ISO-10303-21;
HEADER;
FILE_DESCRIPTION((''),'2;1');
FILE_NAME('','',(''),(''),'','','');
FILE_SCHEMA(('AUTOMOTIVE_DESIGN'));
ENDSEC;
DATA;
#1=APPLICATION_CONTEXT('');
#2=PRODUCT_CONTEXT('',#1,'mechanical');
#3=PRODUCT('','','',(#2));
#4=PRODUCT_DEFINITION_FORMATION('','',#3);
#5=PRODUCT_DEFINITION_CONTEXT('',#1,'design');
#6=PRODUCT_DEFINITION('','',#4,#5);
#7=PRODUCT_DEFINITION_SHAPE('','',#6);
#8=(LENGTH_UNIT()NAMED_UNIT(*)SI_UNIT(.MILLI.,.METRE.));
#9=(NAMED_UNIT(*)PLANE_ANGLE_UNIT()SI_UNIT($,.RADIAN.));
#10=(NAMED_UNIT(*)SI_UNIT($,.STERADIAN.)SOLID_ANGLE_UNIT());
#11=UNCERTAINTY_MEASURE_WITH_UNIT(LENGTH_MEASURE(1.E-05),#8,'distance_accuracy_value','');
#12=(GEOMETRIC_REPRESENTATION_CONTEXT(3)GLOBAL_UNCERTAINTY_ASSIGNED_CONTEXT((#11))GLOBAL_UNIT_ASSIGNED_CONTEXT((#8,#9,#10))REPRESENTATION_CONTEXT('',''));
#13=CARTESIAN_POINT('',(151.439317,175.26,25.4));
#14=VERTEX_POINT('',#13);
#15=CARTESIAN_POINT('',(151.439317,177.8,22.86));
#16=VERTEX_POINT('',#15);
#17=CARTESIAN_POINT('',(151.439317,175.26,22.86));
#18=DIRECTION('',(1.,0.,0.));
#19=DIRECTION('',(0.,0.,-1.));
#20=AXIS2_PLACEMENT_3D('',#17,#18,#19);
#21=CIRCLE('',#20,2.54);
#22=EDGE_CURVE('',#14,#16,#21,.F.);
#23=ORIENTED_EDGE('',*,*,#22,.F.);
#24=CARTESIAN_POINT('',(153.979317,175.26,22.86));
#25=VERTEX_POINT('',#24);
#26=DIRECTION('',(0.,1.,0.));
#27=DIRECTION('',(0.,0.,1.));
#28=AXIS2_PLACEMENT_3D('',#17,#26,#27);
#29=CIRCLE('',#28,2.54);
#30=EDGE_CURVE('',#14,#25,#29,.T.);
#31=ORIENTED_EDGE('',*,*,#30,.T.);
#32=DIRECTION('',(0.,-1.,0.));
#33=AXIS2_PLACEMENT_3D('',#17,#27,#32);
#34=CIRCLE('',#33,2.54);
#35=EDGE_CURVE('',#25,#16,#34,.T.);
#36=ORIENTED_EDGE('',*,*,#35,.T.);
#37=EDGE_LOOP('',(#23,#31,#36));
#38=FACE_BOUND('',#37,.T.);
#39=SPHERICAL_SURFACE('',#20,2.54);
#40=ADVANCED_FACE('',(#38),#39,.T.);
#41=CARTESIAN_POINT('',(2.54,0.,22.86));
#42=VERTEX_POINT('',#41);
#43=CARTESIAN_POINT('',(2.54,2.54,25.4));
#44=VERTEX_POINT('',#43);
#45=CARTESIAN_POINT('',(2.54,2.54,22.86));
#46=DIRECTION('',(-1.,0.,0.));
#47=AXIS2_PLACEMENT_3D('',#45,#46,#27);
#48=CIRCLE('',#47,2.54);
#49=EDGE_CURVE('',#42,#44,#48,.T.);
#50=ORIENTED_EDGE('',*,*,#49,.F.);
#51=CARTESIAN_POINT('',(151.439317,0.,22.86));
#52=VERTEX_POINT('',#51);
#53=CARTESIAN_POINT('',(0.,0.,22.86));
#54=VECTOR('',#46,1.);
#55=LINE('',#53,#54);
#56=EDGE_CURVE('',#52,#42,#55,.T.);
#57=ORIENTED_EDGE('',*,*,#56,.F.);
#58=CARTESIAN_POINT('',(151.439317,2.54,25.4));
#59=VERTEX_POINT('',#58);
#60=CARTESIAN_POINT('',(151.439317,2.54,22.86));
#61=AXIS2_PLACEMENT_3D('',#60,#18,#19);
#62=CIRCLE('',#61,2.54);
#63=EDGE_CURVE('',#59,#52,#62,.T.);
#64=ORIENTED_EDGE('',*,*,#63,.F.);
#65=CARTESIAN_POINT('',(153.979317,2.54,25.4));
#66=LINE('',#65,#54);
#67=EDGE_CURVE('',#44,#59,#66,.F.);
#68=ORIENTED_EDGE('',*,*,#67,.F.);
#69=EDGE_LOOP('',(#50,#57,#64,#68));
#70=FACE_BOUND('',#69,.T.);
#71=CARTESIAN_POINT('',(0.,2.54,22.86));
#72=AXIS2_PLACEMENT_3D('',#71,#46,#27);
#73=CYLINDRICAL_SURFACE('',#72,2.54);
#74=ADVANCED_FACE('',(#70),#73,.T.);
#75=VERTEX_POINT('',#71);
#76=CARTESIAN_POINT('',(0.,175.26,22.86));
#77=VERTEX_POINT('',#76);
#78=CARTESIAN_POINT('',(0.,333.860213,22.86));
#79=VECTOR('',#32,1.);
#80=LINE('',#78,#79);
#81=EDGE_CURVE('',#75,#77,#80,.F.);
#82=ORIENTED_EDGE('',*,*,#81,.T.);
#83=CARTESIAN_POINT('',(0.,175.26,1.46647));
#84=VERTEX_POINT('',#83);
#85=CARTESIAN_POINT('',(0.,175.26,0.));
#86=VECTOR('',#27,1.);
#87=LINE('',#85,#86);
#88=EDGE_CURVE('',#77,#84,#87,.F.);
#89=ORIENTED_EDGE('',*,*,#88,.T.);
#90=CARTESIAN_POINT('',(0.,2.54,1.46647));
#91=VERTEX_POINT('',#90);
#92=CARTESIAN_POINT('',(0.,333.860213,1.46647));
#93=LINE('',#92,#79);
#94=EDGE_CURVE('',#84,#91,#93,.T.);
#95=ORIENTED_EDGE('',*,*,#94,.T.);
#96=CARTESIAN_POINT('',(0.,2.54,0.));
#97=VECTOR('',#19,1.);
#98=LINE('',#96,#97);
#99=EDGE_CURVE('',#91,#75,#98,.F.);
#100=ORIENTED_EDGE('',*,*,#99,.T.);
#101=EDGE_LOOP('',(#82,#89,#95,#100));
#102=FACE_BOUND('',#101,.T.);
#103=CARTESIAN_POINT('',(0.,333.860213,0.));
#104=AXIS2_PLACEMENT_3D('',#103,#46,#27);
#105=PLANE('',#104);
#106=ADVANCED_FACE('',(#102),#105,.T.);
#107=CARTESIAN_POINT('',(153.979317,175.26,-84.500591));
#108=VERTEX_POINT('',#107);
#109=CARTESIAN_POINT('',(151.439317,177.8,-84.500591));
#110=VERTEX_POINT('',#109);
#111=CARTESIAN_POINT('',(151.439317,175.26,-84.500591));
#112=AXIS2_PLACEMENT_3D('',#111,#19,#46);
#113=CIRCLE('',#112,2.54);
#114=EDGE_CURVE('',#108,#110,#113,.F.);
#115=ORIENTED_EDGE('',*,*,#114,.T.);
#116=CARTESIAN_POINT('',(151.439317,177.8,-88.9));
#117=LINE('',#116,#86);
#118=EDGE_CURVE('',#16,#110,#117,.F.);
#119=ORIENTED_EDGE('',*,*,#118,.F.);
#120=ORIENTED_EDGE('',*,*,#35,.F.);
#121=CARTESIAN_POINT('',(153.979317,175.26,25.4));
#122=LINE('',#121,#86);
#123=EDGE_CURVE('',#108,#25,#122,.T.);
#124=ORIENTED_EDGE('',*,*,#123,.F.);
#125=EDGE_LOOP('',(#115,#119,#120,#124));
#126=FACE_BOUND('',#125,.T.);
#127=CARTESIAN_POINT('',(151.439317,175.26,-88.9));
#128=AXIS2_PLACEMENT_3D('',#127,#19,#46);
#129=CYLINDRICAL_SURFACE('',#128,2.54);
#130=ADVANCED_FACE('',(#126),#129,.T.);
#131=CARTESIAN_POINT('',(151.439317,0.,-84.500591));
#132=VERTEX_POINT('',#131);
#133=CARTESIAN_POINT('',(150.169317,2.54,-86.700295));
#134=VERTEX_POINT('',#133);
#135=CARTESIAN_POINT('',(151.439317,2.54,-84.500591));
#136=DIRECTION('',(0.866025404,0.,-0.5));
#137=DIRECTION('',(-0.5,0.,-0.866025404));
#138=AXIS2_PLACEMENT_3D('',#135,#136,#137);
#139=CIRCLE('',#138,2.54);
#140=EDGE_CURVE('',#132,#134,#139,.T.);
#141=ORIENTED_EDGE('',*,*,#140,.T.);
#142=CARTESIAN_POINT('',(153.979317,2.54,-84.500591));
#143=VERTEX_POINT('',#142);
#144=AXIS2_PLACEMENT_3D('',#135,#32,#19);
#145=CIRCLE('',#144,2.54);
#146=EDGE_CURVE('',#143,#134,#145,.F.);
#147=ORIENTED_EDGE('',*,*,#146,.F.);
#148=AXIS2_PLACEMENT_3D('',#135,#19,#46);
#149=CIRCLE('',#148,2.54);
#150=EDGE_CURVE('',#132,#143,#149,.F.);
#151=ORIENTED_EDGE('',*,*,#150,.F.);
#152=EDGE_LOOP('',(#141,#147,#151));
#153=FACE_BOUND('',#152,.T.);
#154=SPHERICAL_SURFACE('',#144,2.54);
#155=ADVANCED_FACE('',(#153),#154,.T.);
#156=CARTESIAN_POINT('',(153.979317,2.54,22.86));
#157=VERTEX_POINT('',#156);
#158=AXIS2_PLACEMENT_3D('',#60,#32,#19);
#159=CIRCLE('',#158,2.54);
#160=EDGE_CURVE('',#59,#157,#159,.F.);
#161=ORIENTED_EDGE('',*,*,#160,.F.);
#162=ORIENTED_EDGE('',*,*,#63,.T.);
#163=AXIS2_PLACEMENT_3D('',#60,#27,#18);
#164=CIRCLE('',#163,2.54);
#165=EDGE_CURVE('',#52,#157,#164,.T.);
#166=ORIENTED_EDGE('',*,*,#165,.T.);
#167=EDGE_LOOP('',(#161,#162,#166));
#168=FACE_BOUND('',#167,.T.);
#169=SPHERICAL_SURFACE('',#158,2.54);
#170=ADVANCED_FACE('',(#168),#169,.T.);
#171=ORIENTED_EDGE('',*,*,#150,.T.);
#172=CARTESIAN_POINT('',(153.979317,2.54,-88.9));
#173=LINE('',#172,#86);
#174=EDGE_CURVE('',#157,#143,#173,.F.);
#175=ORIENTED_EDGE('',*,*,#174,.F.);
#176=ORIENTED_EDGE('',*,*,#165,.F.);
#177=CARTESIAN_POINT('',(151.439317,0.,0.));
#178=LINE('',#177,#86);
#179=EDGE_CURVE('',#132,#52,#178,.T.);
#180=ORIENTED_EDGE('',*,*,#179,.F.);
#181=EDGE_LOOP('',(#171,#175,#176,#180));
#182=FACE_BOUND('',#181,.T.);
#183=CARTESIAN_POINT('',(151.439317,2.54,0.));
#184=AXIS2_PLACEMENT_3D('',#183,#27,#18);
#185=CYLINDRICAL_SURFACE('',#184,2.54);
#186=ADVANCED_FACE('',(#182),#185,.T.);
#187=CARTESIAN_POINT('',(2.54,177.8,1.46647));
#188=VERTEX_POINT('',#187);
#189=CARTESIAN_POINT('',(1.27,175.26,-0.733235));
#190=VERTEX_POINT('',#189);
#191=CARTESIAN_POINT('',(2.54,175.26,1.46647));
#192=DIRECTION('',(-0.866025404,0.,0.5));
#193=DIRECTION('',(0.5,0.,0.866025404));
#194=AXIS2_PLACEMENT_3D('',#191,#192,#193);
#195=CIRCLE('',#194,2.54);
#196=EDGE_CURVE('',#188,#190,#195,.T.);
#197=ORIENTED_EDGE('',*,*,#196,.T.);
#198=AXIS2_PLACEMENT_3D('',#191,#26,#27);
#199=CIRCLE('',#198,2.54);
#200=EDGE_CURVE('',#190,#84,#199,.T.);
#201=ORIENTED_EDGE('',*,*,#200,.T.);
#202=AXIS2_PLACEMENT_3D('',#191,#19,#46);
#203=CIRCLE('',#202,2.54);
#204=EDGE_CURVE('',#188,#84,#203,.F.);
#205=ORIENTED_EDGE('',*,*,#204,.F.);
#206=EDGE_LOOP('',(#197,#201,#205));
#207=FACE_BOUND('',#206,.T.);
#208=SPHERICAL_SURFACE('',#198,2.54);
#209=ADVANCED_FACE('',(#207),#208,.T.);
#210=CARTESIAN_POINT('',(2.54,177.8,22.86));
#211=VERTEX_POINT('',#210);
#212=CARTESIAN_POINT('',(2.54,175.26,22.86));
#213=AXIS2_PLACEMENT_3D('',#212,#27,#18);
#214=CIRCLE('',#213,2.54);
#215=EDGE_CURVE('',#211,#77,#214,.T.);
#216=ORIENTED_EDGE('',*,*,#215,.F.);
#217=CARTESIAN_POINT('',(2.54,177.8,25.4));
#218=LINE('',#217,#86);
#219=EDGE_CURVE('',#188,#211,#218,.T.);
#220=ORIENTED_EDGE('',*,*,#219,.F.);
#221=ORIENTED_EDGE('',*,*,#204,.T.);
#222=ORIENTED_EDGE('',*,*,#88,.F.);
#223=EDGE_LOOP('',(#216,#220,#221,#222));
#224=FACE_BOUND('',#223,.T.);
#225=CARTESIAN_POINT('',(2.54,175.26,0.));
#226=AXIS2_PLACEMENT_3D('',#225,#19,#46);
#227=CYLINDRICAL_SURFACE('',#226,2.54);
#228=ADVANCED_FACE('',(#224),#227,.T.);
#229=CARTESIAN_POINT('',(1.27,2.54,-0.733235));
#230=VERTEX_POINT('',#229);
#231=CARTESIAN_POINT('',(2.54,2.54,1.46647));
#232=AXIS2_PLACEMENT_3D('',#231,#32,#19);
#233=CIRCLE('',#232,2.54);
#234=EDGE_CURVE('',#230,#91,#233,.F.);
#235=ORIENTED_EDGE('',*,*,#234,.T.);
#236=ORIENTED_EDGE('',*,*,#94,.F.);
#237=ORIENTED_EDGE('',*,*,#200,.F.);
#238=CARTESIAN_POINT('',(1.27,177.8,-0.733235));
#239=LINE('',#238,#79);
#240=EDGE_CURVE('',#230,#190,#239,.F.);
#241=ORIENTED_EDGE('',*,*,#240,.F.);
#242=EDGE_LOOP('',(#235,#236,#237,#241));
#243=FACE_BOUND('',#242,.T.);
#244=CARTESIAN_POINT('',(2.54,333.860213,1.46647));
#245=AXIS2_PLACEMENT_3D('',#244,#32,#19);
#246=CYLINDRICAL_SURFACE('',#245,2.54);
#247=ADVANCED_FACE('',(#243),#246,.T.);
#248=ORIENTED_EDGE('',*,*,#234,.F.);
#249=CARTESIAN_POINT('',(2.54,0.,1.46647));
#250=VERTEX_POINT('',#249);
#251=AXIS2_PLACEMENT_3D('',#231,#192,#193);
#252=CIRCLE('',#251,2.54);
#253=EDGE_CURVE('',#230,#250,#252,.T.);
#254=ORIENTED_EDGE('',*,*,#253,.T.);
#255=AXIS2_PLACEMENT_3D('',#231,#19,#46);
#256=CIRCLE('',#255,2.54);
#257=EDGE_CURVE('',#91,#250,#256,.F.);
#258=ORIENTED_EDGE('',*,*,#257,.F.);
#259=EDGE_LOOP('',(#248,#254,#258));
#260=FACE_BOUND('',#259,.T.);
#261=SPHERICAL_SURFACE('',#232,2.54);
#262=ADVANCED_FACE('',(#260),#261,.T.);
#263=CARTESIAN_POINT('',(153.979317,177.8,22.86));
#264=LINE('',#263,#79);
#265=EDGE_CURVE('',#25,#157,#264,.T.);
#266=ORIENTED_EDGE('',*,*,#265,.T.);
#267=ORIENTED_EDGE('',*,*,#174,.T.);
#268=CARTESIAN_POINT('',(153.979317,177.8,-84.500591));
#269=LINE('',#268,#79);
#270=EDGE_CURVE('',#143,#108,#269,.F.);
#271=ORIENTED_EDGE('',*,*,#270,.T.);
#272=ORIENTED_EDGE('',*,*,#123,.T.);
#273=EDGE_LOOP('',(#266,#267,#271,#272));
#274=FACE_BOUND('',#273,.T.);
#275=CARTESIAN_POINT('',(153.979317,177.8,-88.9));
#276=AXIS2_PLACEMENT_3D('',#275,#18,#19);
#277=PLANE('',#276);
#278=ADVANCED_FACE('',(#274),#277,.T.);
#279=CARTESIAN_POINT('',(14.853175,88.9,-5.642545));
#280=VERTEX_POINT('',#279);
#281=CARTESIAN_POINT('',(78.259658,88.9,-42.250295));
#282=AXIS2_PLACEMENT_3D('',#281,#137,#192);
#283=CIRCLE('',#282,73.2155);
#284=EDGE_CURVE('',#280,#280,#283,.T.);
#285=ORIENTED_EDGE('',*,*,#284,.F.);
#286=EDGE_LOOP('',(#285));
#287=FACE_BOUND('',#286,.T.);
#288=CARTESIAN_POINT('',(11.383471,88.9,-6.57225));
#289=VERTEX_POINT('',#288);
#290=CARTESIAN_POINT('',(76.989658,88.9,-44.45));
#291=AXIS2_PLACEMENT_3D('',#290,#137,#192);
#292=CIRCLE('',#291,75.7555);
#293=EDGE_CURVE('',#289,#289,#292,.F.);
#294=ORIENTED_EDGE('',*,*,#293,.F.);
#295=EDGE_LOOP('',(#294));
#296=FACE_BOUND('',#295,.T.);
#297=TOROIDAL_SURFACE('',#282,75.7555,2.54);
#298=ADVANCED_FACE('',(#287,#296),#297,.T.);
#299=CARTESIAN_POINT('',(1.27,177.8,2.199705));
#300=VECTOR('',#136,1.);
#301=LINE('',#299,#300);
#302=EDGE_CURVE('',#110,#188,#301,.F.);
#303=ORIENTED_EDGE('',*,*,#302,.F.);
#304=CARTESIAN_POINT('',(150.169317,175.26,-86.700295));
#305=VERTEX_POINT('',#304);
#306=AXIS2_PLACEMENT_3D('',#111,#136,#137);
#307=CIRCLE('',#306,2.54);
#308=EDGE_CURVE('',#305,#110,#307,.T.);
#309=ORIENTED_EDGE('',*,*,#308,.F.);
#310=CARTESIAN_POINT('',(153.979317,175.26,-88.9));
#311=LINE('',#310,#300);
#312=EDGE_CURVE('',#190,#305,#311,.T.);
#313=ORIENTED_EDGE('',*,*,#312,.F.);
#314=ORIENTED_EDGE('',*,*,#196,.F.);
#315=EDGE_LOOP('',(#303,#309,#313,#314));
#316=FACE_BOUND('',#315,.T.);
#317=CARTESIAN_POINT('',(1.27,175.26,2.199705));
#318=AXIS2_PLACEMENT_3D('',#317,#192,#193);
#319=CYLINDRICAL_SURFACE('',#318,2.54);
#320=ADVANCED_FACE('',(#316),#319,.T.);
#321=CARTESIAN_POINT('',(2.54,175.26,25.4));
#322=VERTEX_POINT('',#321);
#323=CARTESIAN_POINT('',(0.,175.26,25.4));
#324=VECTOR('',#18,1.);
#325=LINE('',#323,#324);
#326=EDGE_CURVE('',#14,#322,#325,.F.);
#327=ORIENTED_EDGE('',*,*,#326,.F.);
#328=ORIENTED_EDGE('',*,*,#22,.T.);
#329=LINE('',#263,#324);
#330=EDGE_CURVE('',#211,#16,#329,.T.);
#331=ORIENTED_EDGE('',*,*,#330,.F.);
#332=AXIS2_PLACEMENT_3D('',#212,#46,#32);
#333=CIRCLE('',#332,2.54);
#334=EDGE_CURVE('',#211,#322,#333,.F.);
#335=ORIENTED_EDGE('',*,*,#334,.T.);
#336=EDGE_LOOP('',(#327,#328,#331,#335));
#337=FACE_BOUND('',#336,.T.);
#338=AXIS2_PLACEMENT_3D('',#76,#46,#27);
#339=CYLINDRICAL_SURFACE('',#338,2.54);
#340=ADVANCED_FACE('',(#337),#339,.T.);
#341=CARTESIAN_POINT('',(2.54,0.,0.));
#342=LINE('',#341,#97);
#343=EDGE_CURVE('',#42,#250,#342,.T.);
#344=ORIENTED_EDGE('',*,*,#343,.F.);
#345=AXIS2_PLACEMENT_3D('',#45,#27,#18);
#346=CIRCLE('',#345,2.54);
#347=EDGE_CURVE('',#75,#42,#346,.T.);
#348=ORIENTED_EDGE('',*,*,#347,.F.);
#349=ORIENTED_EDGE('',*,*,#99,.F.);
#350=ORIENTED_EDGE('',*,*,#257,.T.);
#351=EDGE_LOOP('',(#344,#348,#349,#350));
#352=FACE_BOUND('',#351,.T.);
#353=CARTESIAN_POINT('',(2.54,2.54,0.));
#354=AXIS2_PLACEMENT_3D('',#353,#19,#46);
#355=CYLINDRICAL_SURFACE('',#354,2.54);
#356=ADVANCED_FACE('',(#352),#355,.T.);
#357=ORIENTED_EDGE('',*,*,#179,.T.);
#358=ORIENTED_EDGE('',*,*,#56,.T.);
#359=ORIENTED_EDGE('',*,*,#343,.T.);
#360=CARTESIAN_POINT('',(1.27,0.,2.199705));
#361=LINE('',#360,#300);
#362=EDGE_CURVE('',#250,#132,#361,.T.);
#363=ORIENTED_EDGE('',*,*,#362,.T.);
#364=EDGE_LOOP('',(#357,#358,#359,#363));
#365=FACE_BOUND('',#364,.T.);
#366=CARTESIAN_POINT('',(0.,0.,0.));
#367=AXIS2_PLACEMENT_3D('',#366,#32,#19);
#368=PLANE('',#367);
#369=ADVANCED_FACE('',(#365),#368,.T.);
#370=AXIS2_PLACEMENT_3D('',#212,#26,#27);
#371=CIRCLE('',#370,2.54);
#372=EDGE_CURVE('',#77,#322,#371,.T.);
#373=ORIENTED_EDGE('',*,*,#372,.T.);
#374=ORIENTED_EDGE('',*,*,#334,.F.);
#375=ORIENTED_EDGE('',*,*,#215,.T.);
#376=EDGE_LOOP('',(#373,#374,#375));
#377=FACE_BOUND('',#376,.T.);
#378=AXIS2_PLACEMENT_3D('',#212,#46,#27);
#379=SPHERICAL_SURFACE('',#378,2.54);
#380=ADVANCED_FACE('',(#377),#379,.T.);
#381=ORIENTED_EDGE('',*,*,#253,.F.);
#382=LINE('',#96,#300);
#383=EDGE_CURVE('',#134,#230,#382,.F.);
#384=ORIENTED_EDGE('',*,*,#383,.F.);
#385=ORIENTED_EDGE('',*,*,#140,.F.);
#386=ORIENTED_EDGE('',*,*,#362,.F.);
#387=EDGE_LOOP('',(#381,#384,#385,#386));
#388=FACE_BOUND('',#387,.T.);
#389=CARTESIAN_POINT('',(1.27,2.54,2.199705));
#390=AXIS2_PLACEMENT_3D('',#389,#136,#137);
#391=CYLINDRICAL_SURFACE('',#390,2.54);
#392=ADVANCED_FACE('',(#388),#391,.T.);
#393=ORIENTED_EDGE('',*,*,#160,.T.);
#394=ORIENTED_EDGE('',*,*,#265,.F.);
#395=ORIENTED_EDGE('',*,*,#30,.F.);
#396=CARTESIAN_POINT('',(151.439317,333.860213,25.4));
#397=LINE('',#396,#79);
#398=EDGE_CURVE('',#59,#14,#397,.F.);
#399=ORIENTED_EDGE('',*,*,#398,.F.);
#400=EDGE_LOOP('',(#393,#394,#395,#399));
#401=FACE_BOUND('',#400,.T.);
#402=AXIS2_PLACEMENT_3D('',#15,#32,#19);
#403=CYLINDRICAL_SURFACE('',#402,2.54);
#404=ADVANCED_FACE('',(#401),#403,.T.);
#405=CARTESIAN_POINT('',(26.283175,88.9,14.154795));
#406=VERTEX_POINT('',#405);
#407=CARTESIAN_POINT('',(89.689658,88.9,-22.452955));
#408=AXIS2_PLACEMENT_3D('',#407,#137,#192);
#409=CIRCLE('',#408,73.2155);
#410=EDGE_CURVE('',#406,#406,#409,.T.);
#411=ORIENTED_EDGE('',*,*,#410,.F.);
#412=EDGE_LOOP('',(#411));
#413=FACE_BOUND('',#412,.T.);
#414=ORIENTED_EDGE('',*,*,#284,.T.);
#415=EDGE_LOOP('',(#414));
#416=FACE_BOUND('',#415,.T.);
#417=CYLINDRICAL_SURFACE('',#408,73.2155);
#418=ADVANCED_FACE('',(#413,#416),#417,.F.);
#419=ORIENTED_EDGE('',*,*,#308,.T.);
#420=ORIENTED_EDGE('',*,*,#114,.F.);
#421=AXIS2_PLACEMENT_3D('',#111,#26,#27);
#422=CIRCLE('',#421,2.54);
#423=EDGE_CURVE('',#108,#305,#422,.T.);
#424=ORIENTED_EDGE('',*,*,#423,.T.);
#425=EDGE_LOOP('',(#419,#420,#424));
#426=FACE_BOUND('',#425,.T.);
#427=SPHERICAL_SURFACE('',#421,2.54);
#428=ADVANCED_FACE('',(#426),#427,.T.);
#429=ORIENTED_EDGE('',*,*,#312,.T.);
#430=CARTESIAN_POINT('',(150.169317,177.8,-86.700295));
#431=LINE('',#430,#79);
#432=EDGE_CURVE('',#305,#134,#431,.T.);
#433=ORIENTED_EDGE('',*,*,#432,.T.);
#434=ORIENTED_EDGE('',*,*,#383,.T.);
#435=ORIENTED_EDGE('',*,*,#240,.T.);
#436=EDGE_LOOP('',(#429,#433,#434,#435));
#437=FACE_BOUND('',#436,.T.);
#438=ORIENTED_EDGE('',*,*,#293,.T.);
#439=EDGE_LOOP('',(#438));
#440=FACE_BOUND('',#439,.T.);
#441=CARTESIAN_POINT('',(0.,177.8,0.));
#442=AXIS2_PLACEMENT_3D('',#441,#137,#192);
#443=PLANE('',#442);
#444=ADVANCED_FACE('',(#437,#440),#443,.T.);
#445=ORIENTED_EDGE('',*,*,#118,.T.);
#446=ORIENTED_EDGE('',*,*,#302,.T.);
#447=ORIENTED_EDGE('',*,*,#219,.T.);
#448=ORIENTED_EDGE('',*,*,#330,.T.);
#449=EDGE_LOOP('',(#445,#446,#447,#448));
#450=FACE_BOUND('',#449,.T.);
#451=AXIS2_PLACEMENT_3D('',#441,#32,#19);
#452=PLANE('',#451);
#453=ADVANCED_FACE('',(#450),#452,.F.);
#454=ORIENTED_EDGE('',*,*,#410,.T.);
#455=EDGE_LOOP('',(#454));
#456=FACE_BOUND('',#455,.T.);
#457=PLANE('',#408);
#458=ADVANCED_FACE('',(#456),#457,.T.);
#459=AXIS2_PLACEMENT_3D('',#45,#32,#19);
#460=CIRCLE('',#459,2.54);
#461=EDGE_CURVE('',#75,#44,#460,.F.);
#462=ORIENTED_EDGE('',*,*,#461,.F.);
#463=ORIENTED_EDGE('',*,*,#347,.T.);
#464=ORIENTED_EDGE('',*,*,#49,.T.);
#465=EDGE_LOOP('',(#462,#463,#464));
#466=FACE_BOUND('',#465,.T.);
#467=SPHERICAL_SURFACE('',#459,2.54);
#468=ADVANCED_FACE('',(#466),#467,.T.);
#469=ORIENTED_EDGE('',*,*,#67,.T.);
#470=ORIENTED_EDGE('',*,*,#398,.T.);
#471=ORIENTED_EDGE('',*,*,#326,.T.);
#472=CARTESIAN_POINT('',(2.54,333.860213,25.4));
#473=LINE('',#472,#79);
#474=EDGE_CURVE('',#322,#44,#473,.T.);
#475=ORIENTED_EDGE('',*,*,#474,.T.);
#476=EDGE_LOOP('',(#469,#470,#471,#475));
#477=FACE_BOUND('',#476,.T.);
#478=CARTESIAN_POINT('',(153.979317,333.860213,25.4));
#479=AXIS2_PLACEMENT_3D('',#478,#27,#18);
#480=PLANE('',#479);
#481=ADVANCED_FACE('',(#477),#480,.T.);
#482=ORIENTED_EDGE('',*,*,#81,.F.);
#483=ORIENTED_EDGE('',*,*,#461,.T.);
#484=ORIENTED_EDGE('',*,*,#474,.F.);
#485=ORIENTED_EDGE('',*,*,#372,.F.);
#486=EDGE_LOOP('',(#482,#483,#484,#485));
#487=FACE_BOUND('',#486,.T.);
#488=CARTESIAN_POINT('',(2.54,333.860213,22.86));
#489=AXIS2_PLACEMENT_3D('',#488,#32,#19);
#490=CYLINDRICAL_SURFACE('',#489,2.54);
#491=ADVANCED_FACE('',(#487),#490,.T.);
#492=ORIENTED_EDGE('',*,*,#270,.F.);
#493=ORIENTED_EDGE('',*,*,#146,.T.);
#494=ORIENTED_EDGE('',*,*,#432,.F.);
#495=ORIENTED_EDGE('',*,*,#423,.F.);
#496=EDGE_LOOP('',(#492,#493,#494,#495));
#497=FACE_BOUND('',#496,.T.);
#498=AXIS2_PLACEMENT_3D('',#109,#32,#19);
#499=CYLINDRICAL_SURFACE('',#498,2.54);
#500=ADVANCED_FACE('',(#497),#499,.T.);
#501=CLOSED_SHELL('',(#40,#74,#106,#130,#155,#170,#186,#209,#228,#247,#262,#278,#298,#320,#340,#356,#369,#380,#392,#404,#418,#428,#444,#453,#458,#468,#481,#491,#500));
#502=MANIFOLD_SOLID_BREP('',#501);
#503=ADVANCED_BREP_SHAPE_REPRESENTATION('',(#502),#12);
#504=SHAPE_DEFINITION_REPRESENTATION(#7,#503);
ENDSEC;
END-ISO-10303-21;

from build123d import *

# Parameters (mm, degrees)
BOSS_EXTRUDE1_DEPTH = 177.8
SKETCH4_W           = 153.979316793
SKETCH4_H           = 25.4
BOSS_EXTRUDE4_DEPTH = 177.8
SKETCH3_R           = 73.2155
CUT_EXTRUDE2_DEPTH  = 25.4
FILLET1_R           = 2.54


with BuildPart() as part:
    # Sketch2 → Boss-Extrude1 (new body)
    with BuildSketch(Plane(origin=(0, 0, 0), x_dir=(1, 0, 0), z_dir=(0, 1, 0))):
        Polygon((0, 0), (153.979316793, 0), (153.979316793, 88.9), align=None)
    extrude(amount=BOSS_EXTRUDE1_DEPTH)

    # Sketch4 → Boss-Extrude4 (add)
    with BuildSketch(Plane(origin=(0, 0, 0), x_dir=(-1, 0, 0), z_dir=(0, -1, 0))):
        with Locations((-76.989658397, -12.7)):
            Rectangle(SKETCH4_W, SKETCH4_H)
    extrude(amount=-BOSS_EXTRUDE4_DEPTH)

    # Sketch3 → Cut-Extrude2 (cut)
    with BuildSketch(Plane(origin=(0, 0, 0), x_dir=(-0.8660254037844386, 0, 0.5), z_dir=(-0.5000000000000001, 0, -0.8660254037844387))):
        with Locations((-88.9, 88.9)):
            Circle(SKETCH3_R)
    extrude(amount=-CUT_EXTRUDE2_DEPTH, mode=Mode.SUBTRACT)

    # Fillet1
    fillet1_edges = [part.edges().sort_by_distance(p)[0] for p in [
        (153.979316793, 88.9, 25.4),
        (0, 88.9, 25.4),
        (76.989658396, 0, 25.4),
        (0, 0, 12.7),
        (76.989658396, 177.8, -44.45),
        (0, 177.8, 12.7),
        (76.989658396, 177.8, 25.4),
        (140.396141347, 88.9, -81.05775),
        (76.989658396, 0, -44.45),
        (153.979316793, 0, -31.75),
        (0, 88.9, 0),
        (153.979316793, 88.9, -88.9),
        (153.979316793, 177.8, -31.75),
    ]]
    fillet(fillet1_edges, radius=FILLET1_R)


solid = part.part
